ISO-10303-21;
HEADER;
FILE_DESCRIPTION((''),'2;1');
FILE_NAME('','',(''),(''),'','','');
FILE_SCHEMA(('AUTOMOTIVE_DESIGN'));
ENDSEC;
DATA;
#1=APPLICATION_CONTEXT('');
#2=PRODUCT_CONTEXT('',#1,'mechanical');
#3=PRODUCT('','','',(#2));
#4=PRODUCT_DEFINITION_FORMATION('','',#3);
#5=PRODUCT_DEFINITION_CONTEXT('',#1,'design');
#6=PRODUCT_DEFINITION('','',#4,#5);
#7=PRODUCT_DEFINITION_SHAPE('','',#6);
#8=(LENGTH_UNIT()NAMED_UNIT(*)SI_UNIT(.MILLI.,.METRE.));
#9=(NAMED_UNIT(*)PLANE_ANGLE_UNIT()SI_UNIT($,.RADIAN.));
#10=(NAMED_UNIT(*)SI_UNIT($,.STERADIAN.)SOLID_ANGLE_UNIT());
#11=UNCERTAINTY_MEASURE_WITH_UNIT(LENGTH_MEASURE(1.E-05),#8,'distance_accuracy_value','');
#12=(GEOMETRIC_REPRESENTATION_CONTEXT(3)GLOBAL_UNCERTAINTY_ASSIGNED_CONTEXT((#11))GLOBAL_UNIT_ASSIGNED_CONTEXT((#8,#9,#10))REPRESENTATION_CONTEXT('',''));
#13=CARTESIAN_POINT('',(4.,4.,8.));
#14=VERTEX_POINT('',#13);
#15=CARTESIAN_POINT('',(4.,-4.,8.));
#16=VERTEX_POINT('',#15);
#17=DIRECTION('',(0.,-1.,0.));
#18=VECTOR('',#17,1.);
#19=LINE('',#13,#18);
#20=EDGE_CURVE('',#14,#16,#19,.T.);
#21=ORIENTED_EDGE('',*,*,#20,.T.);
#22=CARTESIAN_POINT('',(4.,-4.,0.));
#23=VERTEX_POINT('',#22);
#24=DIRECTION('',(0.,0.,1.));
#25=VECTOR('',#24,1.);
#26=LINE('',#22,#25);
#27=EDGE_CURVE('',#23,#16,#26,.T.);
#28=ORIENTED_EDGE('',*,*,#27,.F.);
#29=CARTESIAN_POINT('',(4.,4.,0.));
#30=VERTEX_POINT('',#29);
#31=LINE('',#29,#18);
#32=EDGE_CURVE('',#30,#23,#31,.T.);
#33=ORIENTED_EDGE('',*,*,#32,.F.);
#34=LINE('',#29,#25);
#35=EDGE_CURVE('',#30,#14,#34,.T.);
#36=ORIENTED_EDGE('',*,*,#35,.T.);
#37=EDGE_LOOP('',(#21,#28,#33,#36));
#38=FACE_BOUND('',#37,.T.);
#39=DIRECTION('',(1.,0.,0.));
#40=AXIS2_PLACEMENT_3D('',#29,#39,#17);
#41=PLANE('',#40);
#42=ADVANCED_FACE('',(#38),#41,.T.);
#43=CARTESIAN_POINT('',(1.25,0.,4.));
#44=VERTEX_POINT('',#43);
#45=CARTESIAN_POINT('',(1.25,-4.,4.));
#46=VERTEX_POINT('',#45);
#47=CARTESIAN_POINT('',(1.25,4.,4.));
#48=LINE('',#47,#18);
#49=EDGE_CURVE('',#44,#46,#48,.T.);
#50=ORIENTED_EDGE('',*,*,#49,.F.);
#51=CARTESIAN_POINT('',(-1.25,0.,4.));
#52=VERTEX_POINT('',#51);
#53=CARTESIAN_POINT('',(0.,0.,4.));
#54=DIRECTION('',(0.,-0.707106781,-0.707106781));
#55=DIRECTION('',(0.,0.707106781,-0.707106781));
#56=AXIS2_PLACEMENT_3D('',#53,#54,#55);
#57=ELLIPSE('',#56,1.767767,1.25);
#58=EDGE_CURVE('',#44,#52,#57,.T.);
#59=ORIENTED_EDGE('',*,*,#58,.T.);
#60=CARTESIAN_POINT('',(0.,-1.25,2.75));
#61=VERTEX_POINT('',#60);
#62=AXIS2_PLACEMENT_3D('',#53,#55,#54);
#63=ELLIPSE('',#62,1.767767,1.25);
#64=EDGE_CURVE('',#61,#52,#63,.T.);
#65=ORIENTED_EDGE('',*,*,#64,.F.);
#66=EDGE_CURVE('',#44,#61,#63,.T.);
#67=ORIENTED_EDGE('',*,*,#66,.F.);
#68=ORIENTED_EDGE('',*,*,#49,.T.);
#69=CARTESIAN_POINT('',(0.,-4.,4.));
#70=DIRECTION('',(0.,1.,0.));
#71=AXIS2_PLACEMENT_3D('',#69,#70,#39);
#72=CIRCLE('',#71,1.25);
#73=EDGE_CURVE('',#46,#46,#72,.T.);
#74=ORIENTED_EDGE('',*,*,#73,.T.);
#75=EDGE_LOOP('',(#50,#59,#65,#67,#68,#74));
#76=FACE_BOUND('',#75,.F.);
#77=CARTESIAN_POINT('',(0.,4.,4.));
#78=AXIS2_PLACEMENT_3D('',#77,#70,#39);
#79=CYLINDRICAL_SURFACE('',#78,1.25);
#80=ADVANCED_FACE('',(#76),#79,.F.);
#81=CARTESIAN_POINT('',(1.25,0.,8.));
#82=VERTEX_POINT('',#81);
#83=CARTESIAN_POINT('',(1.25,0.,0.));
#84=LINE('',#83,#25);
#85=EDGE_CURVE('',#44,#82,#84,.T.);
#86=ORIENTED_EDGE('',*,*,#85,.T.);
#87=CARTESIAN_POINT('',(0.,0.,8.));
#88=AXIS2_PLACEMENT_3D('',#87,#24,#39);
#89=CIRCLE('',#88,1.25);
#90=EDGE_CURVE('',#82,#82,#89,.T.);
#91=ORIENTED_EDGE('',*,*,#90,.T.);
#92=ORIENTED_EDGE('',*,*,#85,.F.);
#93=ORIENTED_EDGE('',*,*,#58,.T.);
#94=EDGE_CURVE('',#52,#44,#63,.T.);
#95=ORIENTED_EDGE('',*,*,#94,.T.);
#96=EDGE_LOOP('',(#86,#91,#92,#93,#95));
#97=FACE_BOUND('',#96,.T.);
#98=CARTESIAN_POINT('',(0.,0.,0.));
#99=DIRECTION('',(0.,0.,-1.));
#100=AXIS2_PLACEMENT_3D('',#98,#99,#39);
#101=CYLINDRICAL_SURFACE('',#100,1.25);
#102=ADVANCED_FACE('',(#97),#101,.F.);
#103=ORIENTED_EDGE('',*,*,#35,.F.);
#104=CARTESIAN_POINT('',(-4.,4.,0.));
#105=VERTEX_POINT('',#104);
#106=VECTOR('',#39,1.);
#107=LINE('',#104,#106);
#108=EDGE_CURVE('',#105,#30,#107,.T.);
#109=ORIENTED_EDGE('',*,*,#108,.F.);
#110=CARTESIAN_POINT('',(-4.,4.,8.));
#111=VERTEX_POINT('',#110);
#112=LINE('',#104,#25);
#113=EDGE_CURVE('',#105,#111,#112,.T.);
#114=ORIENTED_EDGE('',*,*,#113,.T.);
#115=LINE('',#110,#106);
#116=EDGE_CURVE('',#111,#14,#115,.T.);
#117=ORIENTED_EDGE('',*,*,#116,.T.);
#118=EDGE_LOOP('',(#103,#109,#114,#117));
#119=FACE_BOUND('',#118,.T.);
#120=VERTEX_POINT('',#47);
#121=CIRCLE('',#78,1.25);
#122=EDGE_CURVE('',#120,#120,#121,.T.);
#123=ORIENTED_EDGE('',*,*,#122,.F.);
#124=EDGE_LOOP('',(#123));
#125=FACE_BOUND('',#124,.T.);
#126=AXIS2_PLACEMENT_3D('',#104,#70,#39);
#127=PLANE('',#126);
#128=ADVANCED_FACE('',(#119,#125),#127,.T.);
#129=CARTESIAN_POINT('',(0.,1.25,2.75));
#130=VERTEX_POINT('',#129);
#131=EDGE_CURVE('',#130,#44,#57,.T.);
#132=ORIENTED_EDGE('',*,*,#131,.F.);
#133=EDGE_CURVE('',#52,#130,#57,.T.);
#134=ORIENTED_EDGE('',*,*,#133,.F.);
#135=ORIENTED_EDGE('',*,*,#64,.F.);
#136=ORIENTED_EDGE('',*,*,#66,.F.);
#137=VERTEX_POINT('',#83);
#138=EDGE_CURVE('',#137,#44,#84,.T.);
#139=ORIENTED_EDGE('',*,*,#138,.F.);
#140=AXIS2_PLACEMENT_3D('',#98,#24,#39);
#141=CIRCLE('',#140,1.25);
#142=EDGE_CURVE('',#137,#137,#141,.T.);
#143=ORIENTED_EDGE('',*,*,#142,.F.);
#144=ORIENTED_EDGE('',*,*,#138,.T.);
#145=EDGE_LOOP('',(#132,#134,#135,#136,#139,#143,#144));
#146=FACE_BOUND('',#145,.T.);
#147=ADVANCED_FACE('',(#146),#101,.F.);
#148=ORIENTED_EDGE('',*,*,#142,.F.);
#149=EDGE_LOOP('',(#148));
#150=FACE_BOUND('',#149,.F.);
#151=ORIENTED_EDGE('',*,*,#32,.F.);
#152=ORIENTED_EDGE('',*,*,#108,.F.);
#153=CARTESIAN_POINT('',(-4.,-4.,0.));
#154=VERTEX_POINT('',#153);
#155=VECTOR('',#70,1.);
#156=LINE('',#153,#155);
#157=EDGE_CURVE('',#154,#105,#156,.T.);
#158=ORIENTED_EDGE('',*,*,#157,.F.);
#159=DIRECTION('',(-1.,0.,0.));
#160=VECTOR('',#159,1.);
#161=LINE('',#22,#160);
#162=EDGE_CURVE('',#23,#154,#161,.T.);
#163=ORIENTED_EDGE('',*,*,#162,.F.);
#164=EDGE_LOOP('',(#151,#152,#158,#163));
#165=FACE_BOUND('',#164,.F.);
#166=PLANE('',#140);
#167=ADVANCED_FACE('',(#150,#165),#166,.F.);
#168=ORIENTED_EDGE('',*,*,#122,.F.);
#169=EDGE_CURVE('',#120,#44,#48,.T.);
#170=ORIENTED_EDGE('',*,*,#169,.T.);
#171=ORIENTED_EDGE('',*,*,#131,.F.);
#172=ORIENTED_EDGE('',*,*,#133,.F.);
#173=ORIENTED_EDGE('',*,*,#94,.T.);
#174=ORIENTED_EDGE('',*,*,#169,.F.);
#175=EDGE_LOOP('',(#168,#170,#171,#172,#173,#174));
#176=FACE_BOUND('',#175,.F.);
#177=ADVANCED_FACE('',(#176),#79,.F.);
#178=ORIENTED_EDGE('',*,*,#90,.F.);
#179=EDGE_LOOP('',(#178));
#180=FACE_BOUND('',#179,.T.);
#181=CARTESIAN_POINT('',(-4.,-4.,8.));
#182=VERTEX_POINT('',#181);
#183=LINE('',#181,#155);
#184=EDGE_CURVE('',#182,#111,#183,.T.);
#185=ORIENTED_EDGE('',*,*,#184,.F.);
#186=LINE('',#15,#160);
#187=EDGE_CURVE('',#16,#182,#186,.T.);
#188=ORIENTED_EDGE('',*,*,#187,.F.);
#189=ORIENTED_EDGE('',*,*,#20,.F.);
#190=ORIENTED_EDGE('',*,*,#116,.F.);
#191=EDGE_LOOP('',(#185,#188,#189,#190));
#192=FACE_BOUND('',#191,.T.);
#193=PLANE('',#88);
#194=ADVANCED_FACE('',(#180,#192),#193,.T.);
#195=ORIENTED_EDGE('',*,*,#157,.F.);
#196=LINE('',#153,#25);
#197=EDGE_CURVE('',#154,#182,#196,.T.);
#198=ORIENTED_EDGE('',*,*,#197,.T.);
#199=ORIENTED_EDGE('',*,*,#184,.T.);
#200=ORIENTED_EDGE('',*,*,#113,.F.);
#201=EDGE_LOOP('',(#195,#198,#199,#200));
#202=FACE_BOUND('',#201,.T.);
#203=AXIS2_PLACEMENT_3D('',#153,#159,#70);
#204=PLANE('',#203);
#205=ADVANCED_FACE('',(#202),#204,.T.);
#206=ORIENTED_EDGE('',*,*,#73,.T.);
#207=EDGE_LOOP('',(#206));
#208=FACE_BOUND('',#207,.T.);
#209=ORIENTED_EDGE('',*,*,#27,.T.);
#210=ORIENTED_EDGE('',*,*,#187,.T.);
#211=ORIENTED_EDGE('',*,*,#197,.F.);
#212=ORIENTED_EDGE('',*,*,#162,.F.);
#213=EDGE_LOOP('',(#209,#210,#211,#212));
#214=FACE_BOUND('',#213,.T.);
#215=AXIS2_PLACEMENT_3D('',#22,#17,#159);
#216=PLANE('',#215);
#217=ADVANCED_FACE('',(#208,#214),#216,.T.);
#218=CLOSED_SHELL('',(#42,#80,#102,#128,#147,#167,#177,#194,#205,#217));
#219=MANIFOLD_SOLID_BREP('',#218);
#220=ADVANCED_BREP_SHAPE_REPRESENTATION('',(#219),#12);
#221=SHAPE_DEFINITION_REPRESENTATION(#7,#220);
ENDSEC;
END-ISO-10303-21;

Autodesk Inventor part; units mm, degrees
ref_plane "YZ Plane" through (0, 0, 0) normal (1, 0, 0) x (0, 1, 0)
ref_plane "XZ Plane" through (0, 0, 0) normal (0, 1, 0) x (-1, 0, 0)
ref_plane "XY Plane" through (0, 0, 0) normal (0, 0, 1) x (1, 0, 0)
sketch "スケッチ1" plane through (0, 0, 0) normal (0, 0, 1) x (1, 0, 0)
  line L0 (4, 4) -> (4, -4)
  line L1 (4, -4) -> (-4, -4)
  line L2 (-4, -4) -> (-4, 4)
  line L3 (-4, 4) -> (4, 4)
  circle A0 centre (0, 0) radius 1.25
  dimension "d0" = 8
  dimension "d1" = 2.5
extrude "押し出し1" add sketch "スケッチ1" along normal blind 8
sketch "スケッチ2" plane through (-4, 4, 0) normal (0, 1, 0) x (1, 0, 0)
  line L0 (0, 0) -> (8, 0) projected
  line L1 (0, 0) -> (0, -8) projected
  line L2 (8, -8) -> (0, -8) projected
  line L3 (8, 0) -> (8, -8) projected
  circle A0 centre (4, -4) radius 4
  circle A1 centre (4, -4) radius 1.25
  line L4 (0, 0) -> (8, 0) projected
  line L5 (8, 0) -> (8, -8) projected
  point P0 (4, 0)
  dimension "d4" = 8
  dimension "d5" = 2.5
extrude "押し出し2" cut sketch "スケッチ2" against normal blind 8 contours A1
properties part number "垂直ブロック8" material "真鍮"
